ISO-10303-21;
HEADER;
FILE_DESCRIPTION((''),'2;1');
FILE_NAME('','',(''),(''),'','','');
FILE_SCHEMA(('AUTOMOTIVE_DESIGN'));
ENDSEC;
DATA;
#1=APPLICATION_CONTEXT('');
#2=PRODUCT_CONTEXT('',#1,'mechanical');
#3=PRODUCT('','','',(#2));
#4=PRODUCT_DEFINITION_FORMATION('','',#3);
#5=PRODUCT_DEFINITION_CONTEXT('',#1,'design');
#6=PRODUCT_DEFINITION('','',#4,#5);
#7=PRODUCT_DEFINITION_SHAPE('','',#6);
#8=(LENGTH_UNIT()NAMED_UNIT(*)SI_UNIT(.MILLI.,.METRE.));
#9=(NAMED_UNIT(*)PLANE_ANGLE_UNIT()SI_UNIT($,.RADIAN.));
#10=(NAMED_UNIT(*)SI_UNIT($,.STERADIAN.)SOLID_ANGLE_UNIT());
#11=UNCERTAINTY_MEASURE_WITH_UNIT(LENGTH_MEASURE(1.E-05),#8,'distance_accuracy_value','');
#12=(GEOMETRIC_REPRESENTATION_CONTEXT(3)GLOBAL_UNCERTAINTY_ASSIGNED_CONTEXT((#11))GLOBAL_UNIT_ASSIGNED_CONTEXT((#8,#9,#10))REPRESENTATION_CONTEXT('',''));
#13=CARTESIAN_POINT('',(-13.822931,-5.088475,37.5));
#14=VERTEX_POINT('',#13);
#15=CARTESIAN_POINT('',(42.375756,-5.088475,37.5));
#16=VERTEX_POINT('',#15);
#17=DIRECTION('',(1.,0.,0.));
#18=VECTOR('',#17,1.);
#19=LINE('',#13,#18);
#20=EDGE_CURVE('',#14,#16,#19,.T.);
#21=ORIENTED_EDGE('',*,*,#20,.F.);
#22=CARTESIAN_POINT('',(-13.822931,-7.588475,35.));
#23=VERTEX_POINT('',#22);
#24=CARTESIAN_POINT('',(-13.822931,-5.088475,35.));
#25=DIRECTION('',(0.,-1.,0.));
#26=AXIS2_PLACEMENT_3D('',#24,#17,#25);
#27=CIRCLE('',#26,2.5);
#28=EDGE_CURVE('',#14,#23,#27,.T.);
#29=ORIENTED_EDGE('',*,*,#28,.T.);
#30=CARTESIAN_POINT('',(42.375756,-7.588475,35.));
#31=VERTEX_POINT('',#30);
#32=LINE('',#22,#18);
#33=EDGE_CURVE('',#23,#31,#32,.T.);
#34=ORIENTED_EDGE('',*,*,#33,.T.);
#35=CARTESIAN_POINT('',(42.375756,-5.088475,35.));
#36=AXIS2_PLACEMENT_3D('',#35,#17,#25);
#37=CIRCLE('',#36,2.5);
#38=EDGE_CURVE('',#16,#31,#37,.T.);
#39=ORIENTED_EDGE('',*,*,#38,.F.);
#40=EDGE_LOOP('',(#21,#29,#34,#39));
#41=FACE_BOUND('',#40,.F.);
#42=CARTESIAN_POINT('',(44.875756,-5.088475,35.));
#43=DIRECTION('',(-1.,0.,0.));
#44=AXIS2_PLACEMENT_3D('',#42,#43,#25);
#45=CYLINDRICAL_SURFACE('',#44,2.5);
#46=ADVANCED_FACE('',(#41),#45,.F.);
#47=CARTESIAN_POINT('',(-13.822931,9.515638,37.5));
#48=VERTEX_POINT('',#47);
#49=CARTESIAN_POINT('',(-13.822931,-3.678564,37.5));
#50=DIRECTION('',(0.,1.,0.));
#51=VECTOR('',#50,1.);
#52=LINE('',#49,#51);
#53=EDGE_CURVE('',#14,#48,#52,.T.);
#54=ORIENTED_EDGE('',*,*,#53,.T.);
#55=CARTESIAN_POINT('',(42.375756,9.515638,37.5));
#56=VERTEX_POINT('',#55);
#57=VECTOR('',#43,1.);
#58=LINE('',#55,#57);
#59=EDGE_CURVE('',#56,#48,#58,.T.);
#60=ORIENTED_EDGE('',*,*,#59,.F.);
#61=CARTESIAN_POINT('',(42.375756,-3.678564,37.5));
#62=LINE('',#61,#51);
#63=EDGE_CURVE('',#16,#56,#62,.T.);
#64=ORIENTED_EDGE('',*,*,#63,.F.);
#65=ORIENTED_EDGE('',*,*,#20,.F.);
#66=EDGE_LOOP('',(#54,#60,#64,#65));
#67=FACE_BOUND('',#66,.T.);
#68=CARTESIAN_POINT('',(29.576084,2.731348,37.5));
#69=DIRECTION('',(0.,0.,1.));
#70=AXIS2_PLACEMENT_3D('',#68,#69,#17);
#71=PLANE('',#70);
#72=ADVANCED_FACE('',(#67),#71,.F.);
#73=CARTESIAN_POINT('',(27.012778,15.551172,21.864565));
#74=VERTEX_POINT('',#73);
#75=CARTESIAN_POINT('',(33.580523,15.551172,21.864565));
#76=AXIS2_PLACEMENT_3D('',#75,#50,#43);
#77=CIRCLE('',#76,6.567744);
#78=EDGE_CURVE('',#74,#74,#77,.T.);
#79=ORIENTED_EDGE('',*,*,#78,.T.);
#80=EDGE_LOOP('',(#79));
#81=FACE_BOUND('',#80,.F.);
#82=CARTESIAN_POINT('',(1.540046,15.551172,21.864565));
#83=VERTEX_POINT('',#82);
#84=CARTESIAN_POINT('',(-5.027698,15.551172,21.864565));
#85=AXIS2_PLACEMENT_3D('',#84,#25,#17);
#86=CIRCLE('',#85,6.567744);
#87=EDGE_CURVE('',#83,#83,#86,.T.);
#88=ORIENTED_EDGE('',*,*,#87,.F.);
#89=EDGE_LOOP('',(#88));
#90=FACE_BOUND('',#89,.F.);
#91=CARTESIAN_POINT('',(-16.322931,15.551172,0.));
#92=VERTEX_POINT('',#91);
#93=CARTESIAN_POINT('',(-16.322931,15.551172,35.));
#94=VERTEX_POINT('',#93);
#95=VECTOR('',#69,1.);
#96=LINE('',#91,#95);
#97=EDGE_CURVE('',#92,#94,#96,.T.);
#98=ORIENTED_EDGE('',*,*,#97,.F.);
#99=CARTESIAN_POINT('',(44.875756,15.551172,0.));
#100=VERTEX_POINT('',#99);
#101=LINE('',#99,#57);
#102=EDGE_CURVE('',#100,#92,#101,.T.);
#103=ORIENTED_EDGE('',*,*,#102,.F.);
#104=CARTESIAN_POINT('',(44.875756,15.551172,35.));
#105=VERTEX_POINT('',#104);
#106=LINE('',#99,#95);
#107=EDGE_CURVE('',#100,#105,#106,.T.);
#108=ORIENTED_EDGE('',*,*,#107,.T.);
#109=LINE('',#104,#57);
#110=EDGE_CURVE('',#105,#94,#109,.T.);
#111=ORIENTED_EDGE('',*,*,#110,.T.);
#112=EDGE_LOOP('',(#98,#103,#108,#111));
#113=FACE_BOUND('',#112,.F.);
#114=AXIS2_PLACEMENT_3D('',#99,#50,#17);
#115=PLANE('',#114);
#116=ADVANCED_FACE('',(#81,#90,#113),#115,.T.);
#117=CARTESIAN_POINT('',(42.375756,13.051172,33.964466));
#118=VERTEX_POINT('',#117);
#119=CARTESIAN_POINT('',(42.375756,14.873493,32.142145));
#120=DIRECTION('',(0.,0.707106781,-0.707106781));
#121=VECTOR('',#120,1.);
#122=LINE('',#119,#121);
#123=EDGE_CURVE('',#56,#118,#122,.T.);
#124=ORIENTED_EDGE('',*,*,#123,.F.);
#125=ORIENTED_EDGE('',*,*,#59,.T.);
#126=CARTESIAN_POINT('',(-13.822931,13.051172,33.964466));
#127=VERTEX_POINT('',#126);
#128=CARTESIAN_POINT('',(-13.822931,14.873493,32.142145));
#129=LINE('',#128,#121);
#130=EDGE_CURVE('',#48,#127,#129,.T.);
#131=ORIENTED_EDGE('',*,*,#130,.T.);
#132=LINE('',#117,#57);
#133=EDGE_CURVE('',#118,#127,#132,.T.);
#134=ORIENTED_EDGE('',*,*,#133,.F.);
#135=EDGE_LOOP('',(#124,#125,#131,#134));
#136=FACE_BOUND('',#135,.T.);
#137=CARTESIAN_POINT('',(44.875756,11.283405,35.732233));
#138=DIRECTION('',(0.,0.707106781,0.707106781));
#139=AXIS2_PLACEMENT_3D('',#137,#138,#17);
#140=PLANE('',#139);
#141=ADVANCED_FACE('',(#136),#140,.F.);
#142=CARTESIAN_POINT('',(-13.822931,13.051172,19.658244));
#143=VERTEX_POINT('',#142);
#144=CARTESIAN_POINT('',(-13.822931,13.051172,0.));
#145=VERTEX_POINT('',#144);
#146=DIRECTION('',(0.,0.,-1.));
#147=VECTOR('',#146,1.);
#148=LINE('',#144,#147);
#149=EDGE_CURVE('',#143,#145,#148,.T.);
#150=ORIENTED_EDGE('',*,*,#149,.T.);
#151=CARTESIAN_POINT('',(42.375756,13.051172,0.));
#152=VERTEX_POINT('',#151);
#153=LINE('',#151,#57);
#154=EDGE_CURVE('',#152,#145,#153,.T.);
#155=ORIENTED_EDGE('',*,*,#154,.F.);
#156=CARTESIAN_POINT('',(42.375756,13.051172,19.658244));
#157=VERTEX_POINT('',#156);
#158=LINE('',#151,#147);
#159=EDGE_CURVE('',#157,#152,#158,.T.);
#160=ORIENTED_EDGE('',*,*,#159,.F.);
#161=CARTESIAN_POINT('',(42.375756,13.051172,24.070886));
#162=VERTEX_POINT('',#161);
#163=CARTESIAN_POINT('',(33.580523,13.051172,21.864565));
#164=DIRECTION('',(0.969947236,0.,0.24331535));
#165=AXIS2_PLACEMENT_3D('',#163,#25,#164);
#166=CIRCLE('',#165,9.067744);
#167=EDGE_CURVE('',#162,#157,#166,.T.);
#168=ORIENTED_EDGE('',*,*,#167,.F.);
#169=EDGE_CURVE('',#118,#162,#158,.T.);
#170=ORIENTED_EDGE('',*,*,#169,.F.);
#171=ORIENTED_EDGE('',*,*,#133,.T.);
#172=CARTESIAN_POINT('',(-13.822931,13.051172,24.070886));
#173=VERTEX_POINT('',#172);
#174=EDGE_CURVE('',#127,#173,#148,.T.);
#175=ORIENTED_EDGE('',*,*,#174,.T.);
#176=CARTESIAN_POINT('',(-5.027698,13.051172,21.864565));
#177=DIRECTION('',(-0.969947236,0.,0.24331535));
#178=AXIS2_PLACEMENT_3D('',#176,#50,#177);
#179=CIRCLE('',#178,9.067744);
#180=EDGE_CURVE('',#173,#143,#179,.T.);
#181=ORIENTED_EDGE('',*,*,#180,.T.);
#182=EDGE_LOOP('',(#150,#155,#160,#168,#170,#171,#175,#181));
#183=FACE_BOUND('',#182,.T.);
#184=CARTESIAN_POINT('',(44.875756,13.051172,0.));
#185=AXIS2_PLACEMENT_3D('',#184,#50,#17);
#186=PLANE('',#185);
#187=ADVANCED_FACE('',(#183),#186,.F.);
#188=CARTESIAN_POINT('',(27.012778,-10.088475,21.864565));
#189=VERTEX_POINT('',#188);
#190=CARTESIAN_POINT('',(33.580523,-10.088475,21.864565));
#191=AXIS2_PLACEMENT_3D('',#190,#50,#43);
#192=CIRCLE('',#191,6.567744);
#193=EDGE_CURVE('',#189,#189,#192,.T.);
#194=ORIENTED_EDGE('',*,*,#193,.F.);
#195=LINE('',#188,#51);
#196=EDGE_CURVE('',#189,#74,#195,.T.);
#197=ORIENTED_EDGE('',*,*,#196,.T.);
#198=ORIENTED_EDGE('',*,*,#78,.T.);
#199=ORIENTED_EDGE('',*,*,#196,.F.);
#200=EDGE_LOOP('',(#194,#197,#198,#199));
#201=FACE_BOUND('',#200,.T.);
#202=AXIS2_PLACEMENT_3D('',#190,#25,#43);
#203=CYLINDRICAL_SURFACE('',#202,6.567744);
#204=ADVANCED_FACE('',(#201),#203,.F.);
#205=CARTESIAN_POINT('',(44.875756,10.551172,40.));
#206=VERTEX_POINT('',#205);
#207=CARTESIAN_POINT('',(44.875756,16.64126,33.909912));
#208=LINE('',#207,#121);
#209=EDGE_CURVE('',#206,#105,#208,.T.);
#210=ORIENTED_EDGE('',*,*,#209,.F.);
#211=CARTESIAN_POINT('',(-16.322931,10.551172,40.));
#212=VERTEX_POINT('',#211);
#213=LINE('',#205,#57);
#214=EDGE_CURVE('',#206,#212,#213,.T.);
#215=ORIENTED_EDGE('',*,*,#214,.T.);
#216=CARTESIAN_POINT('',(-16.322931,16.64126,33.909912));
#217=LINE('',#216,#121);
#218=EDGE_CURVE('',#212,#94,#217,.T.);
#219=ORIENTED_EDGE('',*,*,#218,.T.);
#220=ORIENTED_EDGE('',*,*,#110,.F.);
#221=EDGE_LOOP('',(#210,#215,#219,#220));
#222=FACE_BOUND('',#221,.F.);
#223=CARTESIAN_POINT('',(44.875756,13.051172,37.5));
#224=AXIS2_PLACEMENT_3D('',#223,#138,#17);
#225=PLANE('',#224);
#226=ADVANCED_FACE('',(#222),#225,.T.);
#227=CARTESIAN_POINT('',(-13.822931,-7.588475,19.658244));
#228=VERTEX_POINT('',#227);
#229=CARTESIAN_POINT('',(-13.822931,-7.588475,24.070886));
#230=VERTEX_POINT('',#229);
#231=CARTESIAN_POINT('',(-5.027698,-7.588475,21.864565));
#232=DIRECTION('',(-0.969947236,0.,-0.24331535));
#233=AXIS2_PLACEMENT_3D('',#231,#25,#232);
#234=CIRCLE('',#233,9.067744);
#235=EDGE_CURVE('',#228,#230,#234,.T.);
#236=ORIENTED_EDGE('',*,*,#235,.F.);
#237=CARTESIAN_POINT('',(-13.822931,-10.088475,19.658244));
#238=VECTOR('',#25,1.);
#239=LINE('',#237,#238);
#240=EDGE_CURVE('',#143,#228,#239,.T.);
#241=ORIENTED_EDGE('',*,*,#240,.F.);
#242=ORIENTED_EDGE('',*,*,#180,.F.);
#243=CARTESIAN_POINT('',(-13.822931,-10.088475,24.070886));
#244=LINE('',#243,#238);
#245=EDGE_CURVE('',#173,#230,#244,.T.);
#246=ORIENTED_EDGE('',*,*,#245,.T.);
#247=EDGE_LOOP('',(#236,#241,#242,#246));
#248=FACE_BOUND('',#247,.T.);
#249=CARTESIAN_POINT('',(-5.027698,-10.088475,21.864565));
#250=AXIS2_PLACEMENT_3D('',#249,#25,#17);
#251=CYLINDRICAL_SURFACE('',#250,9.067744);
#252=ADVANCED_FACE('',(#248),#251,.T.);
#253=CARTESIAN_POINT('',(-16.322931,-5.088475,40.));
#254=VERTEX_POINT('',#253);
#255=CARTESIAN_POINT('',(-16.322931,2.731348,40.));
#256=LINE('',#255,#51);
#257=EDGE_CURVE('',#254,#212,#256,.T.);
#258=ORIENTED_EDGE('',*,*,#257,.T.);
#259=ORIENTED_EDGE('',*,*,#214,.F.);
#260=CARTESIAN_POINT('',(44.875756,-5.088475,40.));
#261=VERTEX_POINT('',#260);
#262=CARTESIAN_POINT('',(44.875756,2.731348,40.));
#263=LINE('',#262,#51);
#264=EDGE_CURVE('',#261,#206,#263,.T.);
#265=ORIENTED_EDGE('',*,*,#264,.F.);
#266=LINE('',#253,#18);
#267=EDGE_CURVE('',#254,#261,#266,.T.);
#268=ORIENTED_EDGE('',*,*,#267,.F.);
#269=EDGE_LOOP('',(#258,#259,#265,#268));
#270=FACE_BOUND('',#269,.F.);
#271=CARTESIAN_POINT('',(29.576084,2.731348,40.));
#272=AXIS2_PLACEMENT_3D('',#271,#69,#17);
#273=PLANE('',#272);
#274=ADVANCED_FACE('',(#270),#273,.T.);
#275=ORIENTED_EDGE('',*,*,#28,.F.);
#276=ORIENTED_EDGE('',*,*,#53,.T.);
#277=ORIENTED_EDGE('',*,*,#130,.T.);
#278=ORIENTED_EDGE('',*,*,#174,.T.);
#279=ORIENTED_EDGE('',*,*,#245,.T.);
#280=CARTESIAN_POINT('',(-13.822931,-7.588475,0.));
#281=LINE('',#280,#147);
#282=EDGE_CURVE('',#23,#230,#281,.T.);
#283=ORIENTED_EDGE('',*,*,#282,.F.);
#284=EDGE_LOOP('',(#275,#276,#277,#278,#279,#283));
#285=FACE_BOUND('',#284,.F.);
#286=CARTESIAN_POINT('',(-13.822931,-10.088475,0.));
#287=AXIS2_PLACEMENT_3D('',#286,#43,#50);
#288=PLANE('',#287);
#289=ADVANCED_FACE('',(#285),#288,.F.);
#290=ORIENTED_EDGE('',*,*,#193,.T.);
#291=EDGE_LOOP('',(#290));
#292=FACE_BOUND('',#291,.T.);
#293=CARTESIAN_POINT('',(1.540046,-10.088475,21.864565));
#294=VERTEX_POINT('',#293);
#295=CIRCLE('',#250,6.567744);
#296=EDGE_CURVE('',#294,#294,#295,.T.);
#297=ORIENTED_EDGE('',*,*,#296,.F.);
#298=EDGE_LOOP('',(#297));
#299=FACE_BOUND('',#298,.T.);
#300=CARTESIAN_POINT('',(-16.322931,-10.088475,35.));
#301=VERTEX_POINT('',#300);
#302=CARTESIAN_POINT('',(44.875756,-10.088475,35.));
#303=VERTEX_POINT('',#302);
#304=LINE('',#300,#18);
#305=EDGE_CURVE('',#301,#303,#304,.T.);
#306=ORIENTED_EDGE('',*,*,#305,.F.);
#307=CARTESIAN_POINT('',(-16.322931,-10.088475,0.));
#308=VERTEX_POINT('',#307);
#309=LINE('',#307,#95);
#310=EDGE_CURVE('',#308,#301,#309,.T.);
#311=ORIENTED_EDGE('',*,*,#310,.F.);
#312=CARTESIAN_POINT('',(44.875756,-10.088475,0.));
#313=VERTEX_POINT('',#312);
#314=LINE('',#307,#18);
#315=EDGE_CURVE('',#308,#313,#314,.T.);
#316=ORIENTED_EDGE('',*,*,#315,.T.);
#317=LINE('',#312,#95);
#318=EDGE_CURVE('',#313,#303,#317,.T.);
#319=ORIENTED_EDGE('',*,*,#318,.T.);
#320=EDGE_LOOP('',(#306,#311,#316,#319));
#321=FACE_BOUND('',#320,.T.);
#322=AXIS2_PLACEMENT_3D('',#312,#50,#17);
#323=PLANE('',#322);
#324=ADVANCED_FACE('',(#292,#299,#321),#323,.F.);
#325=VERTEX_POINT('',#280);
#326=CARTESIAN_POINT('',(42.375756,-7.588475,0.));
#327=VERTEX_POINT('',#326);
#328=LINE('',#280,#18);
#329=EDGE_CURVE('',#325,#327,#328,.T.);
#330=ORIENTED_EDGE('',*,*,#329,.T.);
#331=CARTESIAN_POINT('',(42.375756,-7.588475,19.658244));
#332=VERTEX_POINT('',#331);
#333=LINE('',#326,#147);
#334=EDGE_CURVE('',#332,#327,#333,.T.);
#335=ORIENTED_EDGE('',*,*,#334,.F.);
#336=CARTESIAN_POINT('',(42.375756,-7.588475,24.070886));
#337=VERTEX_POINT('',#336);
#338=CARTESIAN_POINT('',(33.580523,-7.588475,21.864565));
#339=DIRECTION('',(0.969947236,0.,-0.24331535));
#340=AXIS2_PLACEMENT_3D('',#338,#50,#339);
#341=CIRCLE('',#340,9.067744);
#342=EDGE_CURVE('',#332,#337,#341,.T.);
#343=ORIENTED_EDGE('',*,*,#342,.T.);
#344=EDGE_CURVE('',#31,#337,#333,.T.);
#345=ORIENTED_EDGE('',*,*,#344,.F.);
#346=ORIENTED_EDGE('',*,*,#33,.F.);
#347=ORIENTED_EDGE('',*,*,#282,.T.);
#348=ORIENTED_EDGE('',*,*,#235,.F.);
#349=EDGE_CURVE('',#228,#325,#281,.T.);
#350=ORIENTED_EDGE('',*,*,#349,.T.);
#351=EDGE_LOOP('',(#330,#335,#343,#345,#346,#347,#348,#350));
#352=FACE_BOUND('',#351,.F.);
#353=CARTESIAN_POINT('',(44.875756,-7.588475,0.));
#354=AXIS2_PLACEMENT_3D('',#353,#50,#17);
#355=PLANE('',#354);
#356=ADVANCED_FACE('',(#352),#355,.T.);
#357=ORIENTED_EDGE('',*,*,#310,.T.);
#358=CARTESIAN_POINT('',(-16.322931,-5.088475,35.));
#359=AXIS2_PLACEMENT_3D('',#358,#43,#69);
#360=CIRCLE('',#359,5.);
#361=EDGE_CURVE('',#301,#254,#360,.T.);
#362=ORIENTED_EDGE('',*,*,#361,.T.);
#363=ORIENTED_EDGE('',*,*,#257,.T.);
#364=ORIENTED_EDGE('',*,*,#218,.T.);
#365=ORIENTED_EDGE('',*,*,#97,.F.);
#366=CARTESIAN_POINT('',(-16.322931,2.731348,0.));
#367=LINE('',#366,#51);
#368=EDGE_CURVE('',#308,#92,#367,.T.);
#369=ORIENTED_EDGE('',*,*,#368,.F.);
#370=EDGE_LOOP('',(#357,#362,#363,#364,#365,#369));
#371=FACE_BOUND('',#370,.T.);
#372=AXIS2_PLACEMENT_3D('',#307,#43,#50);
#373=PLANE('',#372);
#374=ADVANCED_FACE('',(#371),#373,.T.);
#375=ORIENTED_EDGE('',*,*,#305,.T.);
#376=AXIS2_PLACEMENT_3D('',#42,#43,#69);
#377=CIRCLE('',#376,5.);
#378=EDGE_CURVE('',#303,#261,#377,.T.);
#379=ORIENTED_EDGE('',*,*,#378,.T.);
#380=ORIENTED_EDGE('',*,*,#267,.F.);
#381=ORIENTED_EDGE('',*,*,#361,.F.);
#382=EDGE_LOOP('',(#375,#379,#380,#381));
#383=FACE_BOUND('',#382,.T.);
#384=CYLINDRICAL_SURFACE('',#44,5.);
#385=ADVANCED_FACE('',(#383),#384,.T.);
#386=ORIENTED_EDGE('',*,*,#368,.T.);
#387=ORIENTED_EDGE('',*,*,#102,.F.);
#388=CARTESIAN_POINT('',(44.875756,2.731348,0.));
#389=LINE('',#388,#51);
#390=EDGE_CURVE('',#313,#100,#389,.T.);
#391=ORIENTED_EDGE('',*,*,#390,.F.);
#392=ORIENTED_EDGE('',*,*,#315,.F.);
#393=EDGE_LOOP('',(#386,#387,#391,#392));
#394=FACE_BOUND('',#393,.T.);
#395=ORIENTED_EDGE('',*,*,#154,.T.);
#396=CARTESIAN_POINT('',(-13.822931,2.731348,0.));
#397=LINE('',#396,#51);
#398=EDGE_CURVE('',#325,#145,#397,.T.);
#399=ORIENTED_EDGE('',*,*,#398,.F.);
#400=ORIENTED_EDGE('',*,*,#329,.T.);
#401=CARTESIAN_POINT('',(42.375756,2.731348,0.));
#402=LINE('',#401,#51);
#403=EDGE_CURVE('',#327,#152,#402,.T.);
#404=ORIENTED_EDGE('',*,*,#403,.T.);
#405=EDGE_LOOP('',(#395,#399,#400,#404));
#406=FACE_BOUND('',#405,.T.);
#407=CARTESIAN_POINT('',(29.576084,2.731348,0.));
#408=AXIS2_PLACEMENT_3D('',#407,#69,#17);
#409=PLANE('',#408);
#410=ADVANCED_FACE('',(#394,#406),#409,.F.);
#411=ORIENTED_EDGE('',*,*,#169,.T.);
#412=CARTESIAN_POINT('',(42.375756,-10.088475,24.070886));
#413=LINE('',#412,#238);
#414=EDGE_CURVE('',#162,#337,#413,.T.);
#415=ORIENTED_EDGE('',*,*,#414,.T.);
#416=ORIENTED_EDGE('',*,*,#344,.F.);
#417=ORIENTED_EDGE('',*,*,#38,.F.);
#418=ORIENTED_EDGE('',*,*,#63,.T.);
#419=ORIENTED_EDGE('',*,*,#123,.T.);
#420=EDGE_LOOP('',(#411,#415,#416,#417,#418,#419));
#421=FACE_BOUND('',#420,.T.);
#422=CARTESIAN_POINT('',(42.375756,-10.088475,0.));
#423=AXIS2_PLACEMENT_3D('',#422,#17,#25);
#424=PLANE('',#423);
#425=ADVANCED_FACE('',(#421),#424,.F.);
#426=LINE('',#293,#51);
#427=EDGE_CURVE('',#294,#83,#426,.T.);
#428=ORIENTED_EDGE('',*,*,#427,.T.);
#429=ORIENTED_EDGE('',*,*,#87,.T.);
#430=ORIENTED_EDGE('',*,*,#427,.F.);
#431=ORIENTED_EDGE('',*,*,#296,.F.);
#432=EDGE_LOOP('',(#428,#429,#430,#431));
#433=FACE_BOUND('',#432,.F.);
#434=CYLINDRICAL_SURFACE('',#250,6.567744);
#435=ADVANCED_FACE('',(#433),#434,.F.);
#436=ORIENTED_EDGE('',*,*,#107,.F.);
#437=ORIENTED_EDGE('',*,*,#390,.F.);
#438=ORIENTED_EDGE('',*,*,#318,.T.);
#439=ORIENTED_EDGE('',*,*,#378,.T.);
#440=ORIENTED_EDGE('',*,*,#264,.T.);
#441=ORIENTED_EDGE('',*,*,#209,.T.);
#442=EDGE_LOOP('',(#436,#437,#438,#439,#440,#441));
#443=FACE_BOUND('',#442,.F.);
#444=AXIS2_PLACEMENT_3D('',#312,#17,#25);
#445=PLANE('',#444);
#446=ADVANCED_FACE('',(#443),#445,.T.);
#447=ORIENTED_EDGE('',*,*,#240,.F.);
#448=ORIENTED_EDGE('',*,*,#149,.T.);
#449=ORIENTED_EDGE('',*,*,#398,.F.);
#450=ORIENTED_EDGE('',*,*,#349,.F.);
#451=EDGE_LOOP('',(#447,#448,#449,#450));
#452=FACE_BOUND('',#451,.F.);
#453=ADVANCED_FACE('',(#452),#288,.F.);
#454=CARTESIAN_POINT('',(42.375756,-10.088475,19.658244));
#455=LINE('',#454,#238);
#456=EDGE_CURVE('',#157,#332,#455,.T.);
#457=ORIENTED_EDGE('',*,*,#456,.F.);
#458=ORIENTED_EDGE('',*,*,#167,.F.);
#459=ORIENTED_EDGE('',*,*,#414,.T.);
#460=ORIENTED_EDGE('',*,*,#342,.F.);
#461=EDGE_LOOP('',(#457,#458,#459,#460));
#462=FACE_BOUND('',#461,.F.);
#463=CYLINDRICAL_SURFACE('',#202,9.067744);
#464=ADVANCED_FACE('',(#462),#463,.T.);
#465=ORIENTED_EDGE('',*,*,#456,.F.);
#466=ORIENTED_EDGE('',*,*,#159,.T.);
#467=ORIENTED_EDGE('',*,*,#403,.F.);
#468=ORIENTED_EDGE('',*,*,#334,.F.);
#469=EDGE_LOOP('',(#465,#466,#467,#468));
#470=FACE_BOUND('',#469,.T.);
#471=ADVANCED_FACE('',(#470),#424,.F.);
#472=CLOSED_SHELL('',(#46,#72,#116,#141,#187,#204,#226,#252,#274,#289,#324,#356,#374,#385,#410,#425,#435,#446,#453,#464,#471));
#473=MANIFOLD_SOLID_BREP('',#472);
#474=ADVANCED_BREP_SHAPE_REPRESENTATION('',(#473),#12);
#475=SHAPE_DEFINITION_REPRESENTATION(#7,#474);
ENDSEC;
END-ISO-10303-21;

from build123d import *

# Parameters (mm, degrees)
F0_W     = 30.5993435904
F0_H     = 25.6396476179
F1_DEPTH = 40
F2_R     = 6.5677441637
F3_DEPTH = 25.6406476179
F4_R     = 5
F5_SIZE  = 5
F6_T     = -2.5


with BuildPart() as f1:
    # F0 (on Top) → F1 (new body)
    with BuildSketch(Plane.XY):
        with Locations((-1.0232594796, 2.7313483879)):
            Rectangle(F0_W, F0_H)
    extrude(amount=F1_DEPTH)

    # F2 (on face) → F3 (cut, through all)
    with BuildSketch(Plane.XZ.offset(10.0884754211)):
        with Locations((-5.0276978873, 21.8645650893)):
            Circle(F2_R)
    extrude(amount=-F3_DEPTH, mode=Mode.SUBTRACT)

    # F4
    f4_edges = [f1.edges().sort_by_distance(p)[0] for p in [
        (-1.023259, -10.088475, 40),
    ]]
    fillet(f4_edges, radius=F4_R)

    # F5
    f5_edges = [f1.edges().sort_by_distance(p)[0] for p in [
        (-1.023259, 15.551172, 40),
    ]]
    chamfer(f5_edges, length=F5_SIZE)

    # F6
    f6_openings = [f1.faces().sort_by_distance(p)[0] for p in [
        (-1.023259, 2.731348, 0),
        (14.276412, 2.655308, 19.672056),
    ]]
    offset(amount=F6_T, openings=f6_openings)

    # F7: F1 across face


with BuildPart() as f1_1:
    add(f1.part)
    add(f1.part.mirror(Plane(origin=(14.2764123157, 2.5963156979, 23.1564866068), x_dir=(0, 1, 0), z_dir=(1, 0, 0))))


solid = f1_1.part
